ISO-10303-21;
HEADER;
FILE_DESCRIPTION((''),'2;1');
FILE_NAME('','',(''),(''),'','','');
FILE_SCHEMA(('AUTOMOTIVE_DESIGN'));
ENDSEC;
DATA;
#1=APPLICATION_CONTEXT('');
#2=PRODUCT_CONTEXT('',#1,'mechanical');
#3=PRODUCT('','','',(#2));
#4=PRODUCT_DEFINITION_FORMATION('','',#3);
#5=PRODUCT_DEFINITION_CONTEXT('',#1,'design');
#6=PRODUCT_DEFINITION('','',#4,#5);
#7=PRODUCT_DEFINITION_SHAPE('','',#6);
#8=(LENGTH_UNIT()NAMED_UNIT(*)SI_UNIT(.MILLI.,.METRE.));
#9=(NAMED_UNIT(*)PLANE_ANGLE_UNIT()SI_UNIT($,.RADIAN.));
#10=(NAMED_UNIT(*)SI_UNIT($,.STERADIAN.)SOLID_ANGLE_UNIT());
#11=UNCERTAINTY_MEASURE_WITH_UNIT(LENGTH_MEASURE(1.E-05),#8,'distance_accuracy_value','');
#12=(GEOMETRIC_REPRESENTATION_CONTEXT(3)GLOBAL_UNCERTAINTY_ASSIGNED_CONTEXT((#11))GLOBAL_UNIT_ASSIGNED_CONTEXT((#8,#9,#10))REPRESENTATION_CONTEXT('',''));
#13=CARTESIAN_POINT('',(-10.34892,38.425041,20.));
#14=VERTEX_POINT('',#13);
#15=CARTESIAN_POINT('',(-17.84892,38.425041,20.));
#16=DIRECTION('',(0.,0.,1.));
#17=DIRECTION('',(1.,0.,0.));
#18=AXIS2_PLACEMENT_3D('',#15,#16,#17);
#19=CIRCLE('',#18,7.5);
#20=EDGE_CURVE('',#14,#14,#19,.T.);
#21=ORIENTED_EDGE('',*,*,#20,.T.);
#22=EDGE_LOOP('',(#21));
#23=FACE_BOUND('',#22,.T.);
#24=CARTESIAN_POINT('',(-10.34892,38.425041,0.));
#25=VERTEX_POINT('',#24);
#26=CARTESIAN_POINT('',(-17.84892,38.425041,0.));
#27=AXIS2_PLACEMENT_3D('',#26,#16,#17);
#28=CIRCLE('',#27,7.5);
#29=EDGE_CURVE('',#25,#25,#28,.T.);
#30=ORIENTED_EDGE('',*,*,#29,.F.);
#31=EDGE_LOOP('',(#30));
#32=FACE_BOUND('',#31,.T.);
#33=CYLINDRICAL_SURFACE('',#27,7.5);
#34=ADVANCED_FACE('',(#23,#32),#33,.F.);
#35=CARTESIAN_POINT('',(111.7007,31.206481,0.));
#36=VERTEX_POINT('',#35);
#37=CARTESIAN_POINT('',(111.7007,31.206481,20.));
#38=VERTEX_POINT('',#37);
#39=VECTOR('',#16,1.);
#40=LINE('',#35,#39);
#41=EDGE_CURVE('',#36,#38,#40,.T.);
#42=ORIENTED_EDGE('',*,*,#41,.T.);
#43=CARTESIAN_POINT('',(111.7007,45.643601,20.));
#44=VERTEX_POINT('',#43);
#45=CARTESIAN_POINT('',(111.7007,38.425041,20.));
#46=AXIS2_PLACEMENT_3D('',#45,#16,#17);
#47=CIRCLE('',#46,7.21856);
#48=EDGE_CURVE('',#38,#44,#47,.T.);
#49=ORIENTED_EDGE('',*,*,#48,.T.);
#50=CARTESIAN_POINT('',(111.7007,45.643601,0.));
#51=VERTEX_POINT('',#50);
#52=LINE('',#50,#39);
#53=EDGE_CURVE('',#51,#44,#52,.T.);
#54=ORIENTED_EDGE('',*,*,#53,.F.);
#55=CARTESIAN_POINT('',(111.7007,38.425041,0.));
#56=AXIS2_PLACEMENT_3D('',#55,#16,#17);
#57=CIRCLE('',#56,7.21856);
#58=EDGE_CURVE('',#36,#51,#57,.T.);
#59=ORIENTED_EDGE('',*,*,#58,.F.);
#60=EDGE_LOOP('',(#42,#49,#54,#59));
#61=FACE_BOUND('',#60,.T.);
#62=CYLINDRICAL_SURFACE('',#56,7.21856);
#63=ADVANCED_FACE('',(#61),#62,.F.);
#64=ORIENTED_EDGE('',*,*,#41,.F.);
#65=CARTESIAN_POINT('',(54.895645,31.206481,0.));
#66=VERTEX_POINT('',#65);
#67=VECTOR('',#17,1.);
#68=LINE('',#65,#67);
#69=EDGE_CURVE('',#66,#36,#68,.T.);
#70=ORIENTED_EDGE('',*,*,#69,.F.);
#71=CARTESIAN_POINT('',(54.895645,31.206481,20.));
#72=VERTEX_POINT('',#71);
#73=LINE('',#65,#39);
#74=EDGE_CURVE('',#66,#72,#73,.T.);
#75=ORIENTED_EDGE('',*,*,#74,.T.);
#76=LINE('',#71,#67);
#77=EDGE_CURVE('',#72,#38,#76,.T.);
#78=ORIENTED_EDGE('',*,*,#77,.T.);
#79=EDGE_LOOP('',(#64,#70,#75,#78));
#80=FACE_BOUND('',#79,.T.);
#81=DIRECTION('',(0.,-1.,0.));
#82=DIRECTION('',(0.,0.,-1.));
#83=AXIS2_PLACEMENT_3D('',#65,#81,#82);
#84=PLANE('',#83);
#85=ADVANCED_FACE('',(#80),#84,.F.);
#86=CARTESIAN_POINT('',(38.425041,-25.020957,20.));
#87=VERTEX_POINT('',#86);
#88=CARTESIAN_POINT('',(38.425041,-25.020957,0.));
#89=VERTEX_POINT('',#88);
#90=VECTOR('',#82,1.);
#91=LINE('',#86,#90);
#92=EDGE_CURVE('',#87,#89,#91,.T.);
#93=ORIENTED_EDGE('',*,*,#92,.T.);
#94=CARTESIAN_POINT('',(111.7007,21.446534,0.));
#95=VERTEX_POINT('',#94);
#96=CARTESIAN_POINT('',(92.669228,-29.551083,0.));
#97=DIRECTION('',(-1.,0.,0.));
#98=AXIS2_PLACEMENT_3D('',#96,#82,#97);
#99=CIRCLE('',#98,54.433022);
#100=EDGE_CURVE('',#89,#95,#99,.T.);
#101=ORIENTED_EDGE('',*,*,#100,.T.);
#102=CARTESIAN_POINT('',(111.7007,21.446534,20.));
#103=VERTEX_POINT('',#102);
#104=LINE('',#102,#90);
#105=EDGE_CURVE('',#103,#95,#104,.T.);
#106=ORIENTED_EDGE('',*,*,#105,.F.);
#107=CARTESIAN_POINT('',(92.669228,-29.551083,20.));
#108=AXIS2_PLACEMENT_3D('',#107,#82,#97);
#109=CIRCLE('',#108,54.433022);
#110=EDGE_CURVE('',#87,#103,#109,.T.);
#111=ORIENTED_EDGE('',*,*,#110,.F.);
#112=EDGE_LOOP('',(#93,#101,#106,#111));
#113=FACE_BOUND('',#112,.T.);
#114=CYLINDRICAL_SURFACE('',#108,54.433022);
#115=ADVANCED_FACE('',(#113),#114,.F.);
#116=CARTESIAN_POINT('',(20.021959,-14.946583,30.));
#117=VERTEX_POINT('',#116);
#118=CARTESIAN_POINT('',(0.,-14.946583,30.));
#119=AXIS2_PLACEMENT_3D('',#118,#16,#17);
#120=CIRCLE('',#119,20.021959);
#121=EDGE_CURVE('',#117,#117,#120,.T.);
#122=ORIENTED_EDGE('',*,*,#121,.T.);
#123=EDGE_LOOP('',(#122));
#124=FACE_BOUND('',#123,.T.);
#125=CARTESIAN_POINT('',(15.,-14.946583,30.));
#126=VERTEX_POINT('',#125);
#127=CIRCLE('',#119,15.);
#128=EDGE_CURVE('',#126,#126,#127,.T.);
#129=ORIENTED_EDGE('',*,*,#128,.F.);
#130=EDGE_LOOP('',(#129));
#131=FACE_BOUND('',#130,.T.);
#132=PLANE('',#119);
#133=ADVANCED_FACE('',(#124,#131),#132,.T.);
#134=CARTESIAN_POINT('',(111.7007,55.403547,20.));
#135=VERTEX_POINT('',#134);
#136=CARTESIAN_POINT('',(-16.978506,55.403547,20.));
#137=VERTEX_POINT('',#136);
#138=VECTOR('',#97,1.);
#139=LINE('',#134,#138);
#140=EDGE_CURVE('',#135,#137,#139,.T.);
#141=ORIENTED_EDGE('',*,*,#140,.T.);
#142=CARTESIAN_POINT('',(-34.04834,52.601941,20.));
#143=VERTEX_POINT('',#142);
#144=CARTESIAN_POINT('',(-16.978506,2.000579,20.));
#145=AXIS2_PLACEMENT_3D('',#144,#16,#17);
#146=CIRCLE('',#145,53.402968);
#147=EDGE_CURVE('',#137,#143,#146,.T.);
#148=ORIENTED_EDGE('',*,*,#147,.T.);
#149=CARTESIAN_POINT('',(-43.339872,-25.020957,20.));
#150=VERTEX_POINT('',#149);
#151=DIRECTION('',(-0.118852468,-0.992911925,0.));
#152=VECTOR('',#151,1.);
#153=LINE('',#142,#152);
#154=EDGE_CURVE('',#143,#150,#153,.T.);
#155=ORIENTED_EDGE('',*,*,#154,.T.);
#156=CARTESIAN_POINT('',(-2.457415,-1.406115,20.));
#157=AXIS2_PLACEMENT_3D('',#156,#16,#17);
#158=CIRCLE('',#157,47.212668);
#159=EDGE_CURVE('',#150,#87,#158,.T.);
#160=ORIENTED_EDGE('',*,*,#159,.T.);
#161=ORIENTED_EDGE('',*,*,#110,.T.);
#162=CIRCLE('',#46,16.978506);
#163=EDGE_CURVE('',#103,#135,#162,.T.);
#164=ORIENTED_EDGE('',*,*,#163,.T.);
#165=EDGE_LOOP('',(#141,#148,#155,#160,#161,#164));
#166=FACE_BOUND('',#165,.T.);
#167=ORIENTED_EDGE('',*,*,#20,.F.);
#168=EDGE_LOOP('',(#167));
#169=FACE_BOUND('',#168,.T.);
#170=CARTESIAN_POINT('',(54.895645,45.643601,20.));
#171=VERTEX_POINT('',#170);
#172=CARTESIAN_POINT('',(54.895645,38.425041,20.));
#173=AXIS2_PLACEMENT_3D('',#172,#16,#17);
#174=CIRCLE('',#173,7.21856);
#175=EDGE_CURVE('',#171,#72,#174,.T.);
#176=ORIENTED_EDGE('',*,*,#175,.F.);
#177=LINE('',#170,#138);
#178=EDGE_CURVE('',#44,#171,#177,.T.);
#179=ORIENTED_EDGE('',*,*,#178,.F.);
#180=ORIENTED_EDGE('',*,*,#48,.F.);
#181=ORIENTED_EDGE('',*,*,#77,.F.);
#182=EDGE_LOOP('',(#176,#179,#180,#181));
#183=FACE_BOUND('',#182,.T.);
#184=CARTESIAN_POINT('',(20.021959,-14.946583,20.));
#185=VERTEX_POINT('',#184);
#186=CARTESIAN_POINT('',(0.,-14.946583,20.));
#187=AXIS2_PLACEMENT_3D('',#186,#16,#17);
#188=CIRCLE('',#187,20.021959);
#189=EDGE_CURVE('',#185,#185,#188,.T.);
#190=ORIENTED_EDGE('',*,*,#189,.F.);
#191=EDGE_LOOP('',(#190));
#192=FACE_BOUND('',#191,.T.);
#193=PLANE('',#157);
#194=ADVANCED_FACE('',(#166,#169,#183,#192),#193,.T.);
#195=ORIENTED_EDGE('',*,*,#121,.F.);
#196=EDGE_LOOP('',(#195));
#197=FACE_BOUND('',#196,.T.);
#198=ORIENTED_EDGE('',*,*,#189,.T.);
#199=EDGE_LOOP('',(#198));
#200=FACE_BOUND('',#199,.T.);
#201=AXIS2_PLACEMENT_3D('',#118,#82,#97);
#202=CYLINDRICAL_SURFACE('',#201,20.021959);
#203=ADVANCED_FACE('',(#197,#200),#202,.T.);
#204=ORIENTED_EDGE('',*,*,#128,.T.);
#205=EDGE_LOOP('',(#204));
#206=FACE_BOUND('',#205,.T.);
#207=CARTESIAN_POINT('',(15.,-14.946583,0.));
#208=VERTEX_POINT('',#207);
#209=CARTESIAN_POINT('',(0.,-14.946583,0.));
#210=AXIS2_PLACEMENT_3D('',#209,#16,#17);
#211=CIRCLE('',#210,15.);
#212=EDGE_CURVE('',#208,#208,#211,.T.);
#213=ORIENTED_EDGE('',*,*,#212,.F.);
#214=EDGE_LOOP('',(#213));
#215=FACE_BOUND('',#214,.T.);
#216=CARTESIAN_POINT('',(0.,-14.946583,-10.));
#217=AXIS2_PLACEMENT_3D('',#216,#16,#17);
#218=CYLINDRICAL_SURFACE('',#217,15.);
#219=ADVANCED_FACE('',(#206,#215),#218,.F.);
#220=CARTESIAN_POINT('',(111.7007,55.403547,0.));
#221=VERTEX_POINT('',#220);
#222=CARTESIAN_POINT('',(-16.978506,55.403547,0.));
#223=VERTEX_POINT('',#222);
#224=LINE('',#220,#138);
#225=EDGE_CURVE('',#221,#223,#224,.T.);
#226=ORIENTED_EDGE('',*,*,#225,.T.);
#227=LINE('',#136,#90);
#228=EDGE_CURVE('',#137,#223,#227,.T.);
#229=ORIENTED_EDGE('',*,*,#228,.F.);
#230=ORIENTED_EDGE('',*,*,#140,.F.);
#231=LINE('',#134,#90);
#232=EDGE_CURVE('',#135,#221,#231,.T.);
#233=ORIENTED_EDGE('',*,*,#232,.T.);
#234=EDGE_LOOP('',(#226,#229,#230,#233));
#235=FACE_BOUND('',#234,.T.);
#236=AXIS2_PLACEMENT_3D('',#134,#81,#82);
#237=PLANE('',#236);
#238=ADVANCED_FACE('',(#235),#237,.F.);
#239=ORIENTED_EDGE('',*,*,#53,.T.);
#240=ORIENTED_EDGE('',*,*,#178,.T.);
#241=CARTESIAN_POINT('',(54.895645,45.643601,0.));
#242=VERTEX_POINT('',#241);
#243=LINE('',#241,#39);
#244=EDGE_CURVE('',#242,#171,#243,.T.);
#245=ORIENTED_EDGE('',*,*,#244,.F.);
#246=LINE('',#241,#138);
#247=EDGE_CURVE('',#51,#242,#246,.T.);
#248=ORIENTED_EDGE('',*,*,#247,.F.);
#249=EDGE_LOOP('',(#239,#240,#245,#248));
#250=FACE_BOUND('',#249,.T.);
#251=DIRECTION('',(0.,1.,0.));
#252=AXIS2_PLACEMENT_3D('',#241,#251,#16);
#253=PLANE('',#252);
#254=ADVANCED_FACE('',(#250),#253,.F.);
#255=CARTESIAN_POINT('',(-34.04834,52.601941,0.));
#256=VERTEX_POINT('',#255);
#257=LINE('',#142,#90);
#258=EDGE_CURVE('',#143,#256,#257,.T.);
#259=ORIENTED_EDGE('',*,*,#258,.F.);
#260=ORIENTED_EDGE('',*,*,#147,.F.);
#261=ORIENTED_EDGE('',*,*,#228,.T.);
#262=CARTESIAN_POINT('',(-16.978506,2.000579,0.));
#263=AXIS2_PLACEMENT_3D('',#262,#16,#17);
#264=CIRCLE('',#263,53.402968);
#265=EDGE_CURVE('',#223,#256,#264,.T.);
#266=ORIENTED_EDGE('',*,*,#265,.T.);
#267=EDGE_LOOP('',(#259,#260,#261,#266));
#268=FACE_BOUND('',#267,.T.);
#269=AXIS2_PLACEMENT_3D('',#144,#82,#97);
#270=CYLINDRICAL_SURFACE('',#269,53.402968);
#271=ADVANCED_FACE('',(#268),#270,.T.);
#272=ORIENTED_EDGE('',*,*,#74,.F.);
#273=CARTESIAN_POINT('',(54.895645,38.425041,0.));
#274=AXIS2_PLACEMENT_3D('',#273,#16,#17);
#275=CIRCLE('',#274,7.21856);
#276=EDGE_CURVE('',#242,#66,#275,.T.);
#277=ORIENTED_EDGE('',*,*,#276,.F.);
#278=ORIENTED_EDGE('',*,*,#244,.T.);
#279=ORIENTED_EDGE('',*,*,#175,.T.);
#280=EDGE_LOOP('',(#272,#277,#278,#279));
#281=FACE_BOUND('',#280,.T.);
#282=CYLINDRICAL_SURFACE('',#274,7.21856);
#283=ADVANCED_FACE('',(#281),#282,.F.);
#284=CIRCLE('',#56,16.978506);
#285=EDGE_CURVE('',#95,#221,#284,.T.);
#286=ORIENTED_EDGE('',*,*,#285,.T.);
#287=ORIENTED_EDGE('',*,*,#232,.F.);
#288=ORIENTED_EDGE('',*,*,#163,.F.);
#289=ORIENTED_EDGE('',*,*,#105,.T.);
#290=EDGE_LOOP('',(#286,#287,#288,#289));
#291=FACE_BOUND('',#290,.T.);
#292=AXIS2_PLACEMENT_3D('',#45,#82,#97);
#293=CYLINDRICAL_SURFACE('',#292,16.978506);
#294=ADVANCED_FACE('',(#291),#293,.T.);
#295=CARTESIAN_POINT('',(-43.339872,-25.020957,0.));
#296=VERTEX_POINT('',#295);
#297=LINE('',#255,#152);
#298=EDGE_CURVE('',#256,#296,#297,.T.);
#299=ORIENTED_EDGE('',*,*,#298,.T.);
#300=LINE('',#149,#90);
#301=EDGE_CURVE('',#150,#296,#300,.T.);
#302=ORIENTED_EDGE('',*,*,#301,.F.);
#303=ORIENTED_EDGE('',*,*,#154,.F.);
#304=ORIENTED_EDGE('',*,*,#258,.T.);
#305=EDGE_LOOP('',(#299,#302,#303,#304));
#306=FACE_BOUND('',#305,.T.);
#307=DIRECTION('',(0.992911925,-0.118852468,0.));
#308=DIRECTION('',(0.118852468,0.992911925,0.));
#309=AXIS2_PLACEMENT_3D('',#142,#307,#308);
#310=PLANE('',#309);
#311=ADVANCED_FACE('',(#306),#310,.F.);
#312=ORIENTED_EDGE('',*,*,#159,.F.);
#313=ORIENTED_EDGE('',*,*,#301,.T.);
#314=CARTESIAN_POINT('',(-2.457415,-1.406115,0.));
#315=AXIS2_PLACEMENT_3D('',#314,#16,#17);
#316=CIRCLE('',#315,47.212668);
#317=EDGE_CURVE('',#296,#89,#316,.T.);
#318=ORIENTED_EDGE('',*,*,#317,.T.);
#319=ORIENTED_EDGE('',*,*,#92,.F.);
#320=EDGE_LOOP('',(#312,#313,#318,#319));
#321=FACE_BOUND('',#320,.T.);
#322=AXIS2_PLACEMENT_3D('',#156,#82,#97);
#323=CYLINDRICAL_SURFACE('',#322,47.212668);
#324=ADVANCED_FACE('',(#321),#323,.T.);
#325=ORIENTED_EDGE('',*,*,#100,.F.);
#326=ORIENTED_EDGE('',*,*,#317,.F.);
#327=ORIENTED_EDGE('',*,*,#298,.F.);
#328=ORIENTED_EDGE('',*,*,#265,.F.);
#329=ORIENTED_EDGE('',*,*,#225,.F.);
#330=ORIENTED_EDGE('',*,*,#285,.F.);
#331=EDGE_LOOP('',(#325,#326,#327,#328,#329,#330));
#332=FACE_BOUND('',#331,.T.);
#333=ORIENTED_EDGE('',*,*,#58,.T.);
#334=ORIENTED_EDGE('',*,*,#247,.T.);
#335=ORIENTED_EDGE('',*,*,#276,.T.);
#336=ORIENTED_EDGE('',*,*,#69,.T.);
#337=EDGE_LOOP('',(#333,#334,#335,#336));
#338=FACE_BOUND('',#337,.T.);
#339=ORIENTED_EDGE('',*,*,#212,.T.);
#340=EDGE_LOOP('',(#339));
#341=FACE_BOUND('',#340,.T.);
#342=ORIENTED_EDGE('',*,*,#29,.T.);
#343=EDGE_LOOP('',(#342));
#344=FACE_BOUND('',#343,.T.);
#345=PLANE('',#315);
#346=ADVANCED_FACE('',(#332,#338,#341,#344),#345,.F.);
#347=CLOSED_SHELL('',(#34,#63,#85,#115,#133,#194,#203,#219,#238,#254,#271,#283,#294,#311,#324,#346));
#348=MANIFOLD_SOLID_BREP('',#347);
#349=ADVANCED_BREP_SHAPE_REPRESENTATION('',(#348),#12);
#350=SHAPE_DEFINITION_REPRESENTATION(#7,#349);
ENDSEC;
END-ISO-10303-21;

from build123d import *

# Parameters (mm, degrees)
BOSS_EXTRUDE2_DEPTH = 20
SKETCH3_R           = 7.5
CUT_EXTRUDE1_DEPTH  = 20
SKETCH4_R           = 20.021959316
BOSS_EXTRUDE3_DEPTH = 10
SKETCH5_R           = 15
CUT_EXTRUDE3_DEPTH  = 40


with BuildPart() as part:
    # Sketch1 → Boss-Extrude2 (new body)
    with BuildSketch(Plane.XY):
        with BuildLine():
            Line((111.70070007, 55.403547234), (-16.978506411, 55.403547234))
            ThreePointArc((-16.978506411, 55.403547234), (-25.627613379, 54.698491332), (-34.048339635, 52.601940713))
            Line((-34.048339635, 52.601940713), (-43.339871627, -25.020956816))
            ThreePointArc((-43.339871627, -25.020956816), (-2.457415402, -48.618782438), (38.425040824, -25.020956816))
            ThreePointArc((38.425040824, -25.020956816), (63.518057264, 16.418071125), (111.70070007, 21.446534413))
            ThreePointArc((111.70070007, 21.446534413), (128.67920648, 38.425040824), (111.70070007, 55.403547234))
        make_face()
    extrude(amount=BOSS_EXTRUDE2_DEPTH)

    # Sketch3 → Cut-Extrude1 (cut)
    with BuildSketch(Plane.XY.offset(20)):
        with Locations((-17.848919817, 38.425040824)):
            Circle(SKETCH3_R)
        with BuildLine():
            Line((54.895644648, 45.643601072), (111.70070007, 45.643601072))
            ThreePointArc((111.70070007, 45.643601072), (118.919260318, 38.425040824), (111.70070007, 31.206480576))
            Line((111.70070007, 31.206480576), (54.895644648, 31.206480576))
            ThreePointArc((54.895644648, 31.206480576), (47.6770844, 38.425040824), (54.895644648, 45.643601072))
        make_face()
    extrude(amount=-CUT_EXTRUDE1_DEPTH, mode=Mode.SUBTRACT)

    # Sketch4 → Boss-Extrude3 (add)
    with BuildSketch(Plane.XY.offset(20)):
        with Locations((0, -14.946583433)):
            Circle(SKETCH4_R)
    extrude(amount=BOSS_EXTRUDE3_DEPTH)

    # Sketch5 → Cut-Extrude3 (cut)
    with BuildSketch(Plane.XY.offset(30)):
        with Locations((0, -14.946583433)):
            Circle(SKETCH5_R)
    extrude(amount=-CUT_EXTRUDE3_DEPTH, mode=Mode.SUBTRACT)


solid = part.part
